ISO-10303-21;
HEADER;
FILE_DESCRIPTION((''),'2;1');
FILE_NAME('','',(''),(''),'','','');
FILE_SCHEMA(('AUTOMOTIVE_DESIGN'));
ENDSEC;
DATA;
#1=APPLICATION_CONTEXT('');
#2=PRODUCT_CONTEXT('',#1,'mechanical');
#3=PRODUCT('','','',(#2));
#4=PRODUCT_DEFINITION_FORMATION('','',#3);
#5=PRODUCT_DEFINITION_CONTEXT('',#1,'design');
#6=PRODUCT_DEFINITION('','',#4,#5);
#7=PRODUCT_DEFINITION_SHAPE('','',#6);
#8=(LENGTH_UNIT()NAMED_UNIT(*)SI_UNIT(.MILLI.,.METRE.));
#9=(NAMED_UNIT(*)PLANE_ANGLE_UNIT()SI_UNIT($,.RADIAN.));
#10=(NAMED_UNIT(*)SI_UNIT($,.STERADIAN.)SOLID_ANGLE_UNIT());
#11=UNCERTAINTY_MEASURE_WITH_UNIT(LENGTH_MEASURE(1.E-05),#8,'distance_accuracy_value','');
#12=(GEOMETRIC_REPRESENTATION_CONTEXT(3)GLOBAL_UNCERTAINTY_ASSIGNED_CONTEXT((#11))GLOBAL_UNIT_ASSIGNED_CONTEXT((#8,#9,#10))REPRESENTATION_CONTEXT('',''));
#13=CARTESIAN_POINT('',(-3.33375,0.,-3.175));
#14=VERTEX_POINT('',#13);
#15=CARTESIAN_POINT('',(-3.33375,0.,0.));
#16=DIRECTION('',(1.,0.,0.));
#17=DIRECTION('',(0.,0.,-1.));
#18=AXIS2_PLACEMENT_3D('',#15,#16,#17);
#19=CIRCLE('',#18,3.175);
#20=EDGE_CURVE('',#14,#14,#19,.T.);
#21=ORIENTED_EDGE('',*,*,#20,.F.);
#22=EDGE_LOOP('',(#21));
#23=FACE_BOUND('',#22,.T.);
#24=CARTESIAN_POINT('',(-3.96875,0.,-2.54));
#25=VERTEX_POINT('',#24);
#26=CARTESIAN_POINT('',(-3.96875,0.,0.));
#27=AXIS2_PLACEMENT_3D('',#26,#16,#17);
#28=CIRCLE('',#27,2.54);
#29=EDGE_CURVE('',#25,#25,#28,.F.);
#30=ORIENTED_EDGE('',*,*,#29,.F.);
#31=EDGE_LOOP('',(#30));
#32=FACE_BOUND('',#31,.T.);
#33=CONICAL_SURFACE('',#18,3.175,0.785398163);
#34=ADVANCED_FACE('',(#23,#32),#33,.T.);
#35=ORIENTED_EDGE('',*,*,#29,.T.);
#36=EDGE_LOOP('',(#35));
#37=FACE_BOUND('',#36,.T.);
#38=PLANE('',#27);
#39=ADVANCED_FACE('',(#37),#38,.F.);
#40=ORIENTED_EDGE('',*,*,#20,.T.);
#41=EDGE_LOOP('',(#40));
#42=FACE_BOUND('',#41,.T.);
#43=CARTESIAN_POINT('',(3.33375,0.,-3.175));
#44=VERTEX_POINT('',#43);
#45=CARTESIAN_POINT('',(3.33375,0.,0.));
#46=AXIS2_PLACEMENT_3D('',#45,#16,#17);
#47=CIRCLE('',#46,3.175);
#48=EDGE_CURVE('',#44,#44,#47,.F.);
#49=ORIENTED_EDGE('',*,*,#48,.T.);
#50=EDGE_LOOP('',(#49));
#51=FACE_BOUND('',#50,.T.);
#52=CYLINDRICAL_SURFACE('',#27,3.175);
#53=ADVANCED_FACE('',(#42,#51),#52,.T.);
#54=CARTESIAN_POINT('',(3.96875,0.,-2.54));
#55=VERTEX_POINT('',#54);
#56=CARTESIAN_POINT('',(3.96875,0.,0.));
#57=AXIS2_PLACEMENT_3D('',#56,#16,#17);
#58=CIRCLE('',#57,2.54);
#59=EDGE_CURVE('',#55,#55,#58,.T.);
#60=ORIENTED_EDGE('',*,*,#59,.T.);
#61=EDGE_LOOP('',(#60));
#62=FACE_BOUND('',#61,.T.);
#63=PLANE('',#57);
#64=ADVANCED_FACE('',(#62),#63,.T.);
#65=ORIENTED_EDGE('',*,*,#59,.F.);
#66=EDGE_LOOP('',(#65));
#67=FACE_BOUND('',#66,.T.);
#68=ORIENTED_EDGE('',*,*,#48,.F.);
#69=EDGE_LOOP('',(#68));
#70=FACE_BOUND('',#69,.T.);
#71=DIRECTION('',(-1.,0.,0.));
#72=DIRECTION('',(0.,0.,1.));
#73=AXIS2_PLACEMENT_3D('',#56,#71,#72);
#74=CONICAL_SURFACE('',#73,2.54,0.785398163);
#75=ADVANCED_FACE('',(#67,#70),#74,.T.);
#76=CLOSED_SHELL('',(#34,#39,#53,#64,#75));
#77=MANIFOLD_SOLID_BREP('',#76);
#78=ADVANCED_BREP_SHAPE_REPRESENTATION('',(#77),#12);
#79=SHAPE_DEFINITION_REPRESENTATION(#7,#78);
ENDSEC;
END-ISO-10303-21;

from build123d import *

# Parameters (mm, degrees)
SKETCH2_R           = 3.175
EXTRUDE1_DEPTH      = 3.96875
EXTRUDE1_DEPTH_BACK = 3.96875
CHAMFER1_SIZE       = 0.635


with BuildPart() as part:
    # Sketch2 → Extrude1 (new body, two sides)
    with BuildSketch(Plane(origin=(0, 0, 0), x_dir=(0, 0, -1), z_dir=(1, 0, 0))) as extrude1_sk:
        Circle(SKETCH2_R)
    extrude(amount=EXTRUDE1_DEPTH)
    extrude(extrude1_sk.sketch, amount=-EXTRUDE1_DEPTH_BACK)

    # Chamfer1
    chamfer1_edges = [part.edges().sort_by_distance(p)[0] for p in [
        (-3.96875, 0, 3.175),
        (3.96875, 0, 3.175),
    ]]
    chamfer(chamfer1_edges, length=CHAMFER1_SIZE)


solid = part.part
